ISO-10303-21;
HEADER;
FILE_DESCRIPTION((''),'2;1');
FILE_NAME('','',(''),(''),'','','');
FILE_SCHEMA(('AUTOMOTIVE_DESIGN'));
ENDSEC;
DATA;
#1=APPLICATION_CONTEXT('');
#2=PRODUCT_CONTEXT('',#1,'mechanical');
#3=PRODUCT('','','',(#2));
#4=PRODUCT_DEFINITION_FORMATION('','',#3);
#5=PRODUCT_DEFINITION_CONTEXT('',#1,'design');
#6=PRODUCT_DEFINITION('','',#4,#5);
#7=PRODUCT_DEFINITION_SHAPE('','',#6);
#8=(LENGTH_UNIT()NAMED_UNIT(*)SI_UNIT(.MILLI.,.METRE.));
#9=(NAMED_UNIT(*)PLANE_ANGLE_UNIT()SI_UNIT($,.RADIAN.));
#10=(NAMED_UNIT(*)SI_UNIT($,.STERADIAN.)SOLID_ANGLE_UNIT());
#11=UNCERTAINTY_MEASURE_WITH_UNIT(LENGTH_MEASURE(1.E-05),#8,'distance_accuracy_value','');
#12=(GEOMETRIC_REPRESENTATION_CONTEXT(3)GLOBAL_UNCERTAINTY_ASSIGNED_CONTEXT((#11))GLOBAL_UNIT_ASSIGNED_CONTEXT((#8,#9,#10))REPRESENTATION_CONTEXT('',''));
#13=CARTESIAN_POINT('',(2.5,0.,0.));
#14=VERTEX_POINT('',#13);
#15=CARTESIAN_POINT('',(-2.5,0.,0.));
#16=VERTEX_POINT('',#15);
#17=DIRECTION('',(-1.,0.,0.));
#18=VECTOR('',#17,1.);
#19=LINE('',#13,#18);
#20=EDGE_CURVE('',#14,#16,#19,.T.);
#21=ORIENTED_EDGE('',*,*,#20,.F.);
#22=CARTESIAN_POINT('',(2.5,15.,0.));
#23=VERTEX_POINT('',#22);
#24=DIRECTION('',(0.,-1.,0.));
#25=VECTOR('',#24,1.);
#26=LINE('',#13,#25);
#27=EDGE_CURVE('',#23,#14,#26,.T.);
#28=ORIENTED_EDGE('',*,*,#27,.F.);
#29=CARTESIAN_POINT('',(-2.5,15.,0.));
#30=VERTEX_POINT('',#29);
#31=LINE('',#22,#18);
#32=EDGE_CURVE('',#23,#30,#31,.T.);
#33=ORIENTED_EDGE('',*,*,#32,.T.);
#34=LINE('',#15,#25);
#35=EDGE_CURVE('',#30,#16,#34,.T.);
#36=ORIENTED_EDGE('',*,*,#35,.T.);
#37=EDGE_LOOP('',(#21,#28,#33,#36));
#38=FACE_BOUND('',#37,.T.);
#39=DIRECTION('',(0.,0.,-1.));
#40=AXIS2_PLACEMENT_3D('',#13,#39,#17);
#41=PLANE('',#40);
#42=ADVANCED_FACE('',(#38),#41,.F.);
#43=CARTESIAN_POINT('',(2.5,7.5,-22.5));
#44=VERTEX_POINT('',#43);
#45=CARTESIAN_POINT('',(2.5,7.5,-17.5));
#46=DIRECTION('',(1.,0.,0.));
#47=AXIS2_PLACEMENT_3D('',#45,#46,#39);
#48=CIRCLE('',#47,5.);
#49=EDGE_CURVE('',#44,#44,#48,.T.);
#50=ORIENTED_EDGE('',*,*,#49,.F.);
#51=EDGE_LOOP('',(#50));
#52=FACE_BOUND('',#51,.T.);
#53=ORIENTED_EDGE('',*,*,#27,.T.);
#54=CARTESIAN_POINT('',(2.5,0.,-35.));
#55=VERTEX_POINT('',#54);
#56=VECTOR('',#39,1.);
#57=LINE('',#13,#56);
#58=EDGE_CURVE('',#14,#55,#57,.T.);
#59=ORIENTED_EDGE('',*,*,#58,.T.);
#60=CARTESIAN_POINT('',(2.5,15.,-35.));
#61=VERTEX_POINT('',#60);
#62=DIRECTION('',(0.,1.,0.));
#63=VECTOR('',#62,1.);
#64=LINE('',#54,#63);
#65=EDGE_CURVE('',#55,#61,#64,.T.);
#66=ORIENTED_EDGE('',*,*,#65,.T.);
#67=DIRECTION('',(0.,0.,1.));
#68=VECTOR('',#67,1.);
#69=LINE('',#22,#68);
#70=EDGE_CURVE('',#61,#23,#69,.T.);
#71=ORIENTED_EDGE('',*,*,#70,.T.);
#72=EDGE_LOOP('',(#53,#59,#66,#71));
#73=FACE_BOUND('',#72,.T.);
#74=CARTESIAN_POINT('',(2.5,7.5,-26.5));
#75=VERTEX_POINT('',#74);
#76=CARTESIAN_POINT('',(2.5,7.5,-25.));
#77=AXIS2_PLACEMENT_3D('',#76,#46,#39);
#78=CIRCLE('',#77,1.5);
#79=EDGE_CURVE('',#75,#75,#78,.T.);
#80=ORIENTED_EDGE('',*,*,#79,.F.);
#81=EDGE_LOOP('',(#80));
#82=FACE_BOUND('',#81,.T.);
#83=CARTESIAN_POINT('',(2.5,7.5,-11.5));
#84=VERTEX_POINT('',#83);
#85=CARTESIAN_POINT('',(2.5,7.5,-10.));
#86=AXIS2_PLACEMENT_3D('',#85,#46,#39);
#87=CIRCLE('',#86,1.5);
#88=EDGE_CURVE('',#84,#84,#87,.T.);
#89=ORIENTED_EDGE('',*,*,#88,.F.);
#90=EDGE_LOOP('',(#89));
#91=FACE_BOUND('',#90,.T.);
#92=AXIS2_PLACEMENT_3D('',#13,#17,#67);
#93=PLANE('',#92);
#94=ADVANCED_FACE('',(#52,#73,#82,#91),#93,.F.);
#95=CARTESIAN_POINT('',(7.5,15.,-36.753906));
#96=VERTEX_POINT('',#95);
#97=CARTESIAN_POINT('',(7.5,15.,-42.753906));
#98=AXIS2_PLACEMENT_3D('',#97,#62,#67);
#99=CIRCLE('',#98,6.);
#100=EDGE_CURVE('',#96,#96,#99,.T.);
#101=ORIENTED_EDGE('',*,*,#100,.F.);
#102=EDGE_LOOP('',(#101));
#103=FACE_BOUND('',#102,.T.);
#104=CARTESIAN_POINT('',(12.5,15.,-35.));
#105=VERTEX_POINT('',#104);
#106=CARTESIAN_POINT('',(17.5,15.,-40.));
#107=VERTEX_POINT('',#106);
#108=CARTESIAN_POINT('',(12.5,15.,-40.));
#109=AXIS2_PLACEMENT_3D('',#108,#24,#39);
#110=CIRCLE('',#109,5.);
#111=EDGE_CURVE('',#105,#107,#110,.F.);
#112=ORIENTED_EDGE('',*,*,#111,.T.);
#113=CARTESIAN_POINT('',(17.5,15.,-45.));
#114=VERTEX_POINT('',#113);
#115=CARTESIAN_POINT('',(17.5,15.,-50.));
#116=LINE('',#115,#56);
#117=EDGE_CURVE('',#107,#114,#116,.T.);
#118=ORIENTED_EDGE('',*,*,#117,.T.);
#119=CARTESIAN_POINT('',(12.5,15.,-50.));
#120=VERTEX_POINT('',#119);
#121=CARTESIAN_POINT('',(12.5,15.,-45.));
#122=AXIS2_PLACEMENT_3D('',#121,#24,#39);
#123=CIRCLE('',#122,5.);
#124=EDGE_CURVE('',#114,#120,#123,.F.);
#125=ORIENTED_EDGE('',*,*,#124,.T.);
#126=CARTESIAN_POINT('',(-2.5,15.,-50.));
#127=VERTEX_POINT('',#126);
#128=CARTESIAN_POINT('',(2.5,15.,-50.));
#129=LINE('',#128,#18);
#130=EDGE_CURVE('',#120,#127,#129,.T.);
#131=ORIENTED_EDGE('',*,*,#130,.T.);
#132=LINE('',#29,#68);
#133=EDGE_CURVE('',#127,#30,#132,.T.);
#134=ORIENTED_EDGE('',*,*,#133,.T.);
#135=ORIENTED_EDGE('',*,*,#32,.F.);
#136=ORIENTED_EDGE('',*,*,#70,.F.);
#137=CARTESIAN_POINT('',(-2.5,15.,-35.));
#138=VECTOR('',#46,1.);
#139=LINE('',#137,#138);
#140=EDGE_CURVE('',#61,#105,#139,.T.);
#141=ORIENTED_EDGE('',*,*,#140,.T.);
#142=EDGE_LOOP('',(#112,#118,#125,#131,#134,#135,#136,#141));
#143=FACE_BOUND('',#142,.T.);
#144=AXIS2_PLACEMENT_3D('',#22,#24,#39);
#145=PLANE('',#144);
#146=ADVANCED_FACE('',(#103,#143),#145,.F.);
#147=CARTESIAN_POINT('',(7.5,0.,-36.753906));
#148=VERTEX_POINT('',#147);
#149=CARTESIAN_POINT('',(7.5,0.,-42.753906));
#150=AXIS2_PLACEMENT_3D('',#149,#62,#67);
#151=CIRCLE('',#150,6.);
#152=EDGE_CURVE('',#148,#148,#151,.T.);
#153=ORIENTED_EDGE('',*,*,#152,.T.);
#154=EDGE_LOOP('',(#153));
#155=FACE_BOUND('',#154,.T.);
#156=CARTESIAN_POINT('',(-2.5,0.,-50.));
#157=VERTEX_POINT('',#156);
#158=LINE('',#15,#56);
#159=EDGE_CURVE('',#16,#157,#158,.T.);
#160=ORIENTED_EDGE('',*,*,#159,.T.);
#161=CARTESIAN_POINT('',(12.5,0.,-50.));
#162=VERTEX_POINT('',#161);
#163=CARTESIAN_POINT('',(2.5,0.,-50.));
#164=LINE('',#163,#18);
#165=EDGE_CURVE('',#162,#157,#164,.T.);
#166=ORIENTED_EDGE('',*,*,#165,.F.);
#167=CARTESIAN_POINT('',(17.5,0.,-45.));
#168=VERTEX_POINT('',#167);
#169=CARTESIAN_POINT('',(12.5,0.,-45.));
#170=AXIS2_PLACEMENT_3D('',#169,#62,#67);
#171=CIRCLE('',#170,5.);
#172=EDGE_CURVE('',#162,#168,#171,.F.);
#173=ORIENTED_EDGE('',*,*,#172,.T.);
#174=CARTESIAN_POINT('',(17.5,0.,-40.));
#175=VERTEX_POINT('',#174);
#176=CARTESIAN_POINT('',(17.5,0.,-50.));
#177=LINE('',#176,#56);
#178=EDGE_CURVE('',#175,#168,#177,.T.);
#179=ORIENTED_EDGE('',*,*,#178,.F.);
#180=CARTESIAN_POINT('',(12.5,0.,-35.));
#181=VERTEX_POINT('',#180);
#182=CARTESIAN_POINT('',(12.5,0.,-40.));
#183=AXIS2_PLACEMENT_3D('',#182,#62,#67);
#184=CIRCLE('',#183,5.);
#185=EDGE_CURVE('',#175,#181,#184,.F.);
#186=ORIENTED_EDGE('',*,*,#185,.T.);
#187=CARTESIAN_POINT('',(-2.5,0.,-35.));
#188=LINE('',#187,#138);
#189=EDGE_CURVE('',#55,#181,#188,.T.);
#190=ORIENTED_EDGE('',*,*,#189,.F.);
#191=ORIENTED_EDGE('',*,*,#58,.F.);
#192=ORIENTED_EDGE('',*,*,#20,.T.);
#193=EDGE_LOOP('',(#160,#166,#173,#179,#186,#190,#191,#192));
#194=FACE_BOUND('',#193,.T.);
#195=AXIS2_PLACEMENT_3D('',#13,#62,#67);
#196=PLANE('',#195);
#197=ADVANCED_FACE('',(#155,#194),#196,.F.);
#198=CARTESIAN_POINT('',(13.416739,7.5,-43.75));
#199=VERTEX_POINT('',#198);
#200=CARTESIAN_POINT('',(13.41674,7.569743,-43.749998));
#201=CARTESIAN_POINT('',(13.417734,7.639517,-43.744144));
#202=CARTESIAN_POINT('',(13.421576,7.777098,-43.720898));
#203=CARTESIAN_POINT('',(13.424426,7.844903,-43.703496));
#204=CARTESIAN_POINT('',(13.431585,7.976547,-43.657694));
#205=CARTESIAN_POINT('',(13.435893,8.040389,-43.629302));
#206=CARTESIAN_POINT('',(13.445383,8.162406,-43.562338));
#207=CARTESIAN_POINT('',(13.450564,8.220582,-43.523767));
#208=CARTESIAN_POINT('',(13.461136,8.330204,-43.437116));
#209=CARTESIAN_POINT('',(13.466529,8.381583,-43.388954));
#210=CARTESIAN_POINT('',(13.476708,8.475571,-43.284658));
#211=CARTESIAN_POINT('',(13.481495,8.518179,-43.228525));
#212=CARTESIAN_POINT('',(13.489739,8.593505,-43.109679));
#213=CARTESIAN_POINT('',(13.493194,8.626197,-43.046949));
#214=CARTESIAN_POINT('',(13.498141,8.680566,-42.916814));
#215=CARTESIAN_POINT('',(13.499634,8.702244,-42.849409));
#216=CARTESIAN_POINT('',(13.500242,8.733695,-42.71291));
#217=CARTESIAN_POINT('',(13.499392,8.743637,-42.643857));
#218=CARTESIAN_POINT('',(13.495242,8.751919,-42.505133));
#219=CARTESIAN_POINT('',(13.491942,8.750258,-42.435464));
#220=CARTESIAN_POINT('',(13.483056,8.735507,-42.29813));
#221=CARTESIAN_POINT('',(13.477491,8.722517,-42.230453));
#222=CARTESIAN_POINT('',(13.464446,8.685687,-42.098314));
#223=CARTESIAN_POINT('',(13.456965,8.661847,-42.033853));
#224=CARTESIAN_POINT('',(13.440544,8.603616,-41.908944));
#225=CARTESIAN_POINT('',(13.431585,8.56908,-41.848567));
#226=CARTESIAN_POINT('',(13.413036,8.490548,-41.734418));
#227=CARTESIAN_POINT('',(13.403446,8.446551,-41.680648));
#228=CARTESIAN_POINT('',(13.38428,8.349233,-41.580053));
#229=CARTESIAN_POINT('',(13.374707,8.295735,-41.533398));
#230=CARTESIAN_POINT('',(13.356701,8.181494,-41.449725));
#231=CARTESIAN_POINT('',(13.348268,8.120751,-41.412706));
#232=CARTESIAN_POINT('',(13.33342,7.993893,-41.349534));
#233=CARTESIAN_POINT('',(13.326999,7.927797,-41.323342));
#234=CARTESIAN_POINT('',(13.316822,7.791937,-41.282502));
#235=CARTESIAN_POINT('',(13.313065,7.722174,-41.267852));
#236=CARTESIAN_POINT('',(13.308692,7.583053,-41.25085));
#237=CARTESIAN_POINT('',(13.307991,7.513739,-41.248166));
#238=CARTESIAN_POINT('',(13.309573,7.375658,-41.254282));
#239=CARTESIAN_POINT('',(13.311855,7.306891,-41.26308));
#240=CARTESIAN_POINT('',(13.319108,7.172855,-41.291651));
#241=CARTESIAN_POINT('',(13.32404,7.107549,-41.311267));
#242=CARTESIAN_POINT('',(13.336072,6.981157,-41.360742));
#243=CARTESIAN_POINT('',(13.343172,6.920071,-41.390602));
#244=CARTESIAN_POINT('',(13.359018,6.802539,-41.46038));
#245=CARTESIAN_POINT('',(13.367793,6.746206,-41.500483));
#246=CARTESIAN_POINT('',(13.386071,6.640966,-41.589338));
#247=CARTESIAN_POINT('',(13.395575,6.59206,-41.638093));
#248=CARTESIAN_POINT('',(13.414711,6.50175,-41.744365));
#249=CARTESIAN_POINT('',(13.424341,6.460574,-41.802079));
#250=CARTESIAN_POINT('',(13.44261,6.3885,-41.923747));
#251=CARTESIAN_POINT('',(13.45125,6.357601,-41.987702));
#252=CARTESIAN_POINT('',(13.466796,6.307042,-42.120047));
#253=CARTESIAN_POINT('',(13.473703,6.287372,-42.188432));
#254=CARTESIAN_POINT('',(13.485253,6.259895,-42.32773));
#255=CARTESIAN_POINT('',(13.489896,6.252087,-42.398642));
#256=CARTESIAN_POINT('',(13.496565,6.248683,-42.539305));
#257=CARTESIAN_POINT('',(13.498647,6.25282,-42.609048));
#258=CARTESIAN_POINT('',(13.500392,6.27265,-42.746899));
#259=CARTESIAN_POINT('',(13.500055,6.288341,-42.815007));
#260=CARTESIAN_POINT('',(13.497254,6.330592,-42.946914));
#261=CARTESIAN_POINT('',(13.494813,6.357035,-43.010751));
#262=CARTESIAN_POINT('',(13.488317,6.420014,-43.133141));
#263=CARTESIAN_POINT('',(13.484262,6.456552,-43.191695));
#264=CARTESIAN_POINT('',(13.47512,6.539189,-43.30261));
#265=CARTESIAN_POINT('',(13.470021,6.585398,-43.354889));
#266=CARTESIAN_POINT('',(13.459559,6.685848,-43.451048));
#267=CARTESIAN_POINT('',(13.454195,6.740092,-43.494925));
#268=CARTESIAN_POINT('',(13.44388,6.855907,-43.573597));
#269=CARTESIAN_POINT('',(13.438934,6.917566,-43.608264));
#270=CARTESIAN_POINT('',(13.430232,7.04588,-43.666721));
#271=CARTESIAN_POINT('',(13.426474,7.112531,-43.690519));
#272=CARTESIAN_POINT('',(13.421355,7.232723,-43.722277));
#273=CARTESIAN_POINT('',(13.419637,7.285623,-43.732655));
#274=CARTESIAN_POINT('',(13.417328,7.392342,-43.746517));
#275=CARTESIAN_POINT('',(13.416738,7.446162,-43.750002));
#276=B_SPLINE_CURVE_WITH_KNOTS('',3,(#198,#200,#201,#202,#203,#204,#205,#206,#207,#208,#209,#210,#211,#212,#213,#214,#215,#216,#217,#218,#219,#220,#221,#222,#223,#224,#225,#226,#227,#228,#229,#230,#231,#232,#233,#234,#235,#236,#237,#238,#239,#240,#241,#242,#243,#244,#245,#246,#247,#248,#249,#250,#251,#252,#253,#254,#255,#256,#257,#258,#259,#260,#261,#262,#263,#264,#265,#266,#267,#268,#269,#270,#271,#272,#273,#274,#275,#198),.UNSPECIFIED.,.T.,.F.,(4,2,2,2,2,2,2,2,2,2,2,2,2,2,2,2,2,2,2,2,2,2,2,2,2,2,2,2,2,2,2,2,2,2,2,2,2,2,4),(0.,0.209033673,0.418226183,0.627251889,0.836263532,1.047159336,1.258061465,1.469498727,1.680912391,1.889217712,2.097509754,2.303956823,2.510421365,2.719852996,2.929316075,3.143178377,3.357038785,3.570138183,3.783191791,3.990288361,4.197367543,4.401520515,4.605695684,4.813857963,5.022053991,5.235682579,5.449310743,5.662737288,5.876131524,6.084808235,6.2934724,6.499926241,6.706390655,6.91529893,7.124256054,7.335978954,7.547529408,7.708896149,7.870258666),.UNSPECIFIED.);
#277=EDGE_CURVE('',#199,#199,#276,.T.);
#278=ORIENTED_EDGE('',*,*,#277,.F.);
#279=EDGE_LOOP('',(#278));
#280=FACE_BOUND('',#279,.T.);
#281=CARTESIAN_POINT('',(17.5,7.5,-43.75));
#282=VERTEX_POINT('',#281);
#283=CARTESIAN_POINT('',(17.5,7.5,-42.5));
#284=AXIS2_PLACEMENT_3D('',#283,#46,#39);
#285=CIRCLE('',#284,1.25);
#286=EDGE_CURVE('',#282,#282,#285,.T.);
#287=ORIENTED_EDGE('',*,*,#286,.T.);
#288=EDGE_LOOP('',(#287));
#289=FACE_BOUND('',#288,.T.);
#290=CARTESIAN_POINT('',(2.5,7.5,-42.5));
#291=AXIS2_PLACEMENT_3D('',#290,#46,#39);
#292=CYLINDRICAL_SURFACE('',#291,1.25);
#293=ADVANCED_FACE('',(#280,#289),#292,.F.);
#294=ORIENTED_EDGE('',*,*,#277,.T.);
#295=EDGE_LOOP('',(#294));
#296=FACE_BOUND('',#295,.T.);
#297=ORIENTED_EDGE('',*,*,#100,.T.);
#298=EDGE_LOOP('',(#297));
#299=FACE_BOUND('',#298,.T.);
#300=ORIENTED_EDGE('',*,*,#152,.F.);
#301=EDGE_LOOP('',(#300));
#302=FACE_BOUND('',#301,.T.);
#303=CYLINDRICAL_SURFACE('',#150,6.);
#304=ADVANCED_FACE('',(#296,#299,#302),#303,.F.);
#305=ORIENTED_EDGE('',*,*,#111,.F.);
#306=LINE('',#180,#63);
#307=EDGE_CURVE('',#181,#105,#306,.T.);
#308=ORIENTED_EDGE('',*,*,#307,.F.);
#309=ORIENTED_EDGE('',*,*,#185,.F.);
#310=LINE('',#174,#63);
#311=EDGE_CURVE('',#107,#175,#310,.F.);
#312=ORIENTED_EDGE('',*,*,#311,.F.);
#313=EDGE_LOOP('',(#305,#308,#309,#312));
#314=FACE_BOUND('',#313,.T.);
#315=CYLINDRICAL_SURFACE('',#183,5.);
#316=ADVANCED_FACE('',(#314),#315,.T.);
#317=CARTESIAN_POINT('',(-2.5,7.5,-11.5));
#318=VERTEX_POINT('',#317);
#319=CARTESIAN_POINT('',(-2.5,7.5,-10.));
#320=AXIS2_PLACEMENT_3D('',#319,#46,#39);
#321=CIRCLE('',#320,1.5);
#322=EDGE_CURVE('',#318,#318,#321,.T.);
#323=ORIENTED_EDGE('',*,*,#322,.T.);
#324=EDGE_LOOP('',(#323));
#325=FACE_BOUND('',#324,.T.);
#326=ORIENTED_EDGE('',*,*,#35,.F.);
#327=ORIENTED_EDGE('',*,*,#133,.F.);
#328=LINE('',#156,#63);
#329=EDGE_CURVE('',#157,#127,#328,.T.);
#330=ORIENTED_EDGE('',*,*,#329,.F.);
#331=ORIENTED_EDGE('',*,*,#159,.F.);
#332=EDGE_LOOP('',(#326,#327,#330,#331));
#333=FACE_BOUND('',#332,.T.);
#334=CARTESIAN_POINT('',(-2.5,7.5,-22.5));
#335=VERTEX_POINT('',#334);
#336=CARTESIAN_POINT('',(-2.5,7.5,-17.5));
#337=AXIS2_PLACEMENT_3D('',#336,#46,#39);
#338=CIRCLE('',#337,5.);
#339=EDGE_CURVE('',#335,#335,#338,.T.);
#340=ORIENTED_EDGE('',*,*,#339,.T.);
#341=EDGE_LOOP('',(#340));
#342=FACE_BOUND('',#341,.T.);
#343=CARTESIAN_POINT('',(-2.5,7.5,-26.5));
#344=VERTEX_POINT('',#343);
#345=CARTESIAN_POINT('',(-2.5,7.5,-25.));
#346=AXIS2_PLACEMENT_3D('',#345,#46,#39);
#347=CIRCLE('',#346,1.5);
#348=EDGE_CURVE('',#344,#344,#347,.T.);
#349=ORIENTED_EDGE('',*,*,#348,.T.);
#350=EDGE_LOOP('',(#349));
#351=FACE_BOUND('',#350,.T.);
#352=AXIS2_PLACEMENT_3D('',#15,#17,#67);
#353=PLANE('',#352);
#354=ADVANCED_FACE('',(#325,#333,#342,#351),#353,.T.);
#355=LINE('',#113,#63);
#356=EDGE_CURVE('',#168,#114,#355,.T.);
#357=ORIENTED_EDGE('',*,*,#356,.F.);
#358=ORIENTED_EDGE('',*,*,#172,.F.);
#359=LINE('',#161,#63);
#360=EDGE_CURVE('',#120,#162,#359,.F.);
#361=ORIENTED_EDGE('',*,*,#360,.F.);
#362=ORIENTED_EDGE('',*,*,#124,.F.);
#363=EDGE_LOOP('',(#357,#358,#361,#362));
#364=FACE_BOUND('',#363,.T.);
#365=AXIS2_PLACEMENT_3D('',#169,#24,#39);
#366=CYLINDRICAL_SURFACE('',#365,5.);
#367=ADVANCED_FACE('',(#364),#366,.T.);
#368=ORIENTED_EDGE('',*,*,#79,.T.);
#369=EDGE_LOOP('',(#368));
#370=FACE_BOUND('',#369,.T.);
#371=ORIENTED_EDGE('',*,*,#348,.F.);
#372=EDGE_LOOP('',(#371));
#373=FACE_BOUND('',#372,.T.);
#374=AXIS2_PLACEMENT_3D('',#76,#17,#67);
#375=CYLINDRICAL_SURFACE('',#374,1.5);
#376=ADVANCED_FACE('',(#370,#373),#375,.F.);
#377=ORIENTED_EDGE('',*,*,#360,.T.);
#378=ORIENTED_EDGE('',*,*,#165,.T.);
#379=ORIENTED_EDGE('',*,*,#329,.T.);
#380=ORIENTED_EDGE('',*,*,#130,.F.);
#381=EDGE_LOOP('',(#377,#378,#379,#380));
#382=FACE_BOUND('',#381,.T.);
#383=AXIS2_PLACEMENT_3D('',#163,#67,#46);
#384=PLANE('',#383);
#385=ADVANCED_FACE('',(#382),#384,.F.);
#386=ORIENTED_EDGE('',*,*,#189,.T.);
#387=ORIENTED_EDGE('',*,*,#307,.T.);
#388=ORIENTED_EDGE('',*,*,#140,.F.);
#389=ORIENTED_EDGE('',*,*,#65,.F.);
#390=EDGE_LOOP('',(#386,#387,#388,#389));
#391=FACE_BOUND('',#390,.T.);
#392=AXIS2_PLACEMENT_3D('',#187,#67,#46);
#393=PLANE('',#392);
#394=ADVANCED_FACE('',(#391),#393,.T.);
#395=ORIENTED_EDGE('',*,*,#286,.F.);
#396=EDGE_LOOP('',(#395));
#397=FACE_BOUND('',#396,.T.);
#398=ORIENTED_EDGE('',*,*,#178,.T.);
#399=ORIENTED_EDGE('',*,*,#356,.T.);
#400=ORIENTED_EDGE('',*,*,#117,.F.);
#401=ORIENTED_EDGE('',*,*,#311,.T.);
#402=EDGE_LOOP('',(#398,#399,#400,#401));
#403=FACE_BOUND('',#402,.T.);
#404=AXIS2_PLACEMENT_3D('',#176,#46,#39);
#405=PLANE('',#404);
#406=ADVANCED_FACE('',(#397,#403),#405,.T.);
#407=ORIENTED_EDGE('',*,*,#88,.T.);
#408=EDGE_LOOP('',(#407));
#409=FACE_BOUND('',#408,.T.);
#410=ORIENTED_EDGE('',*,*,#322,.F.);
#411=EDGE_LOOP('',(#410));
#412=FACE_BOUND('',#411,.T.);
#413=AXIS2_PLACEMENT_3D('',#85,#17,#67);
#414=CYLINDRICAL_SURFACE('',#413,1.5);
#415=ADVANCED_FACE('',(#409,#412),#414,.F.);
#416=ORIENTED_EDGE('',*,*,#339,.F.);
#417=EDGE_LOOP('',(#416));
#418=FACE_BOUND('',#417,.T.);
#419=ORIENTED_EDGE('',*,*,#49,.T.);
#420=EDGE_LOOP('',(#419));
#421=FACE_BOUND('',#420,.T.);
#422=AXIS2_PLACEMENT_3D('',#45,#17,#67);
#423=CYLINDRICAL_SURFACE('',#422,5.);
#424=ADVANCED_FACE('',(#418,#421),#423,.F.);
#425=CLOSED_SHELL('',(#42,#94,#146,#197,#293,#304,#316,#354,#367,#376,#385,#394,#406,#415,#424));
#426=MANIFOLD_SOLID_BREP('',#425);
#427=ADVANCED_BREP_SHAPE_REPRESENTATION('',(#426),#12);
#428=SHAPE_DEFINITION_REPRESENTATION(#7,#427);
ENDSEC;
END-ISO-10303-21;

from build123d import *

# Parameters (mm, degrees)
SKETCH1_W           = 50
SKETCH1_H           = 15
SKETCH1_R           = 1.5
SKETCH1_R_2         = 5
BOSS_EXTRUDE1_DEPTH = 2.5
SKETCH2_R           = 6
CUT_EXTRUDE1_DEPTH  = 1000
SKETCH5_W           = 20
SKETCH5_H           = 15
BOSS_EXTRUDE2_DEPTH = 15
SKETCH2_5_R         = 6
CUT_EXTRUDE2_DEPTH  = 15
FILLET1_R           = 5
SKETCH6_R           = 1.25
CUT_EXTRUDE3_DEPTH  = 15


with BuildPart() as part:
    # Sketch1 → Boss-Extrude1 (new, symmetric)
    with BuildSketch(Plane(origin=(0, 0, 0), x_dir=(0, 0, -1), z_dir=(1, 0, 0))):
        with Locations((25, 7.5)):
            Rectangle(SKETCH1_W, SKETCH1_H)
        with Locations((10, 7.5)):
            Circle(SKETCH1_R, mode=Mode.SUBTRACT)
        with Locations((17.5, 7.5)):
            Circle(SKETCH1_R_2, mode=Mode.SUBTRACT)
        with Locations((25, 7.5)):
            Circle(SKETCH1_R, mode=Mode.SUBTRACT)
    extrude(amount=BOSS_EXTRUDE1_DEPTH, both=True)

    # Sketch2 → Cut-Extrude1 (cut)
    with BuildSketch(Plane(origin=(0, 15, 0), x_dir=(1, 0, 0), z_dir=(0, 1, 0))):
        with Locations((7.5, 42.75390625)):
            Circle(SKETCH2_R)
    extrude(amount=-CUT_EXTRUDE1_DEPTH, mode=Mode.SUBTRACT)

    # Sketch5 → Boss-Extrude2 (add)
    with BuildSketch(Plane(origin=(0, 15, 0), x_dir=(1, 0, 0), z_dir=(0, 1, 0))):
        with Locations((7.5, 42.5)):
            Rectangle(SKETCH5_W, SKETCH5_H)
    extrude(amount=-BOSS_EXTRUDE2_DEPTH)

    # Sketch2<5> → Cut-Extrude2 (cut)
    with BuildSketch(Plane(origin=(0, 15, 0), x_dir=(1, 0, 0), z_dir=(0, 1, 0))):
        with Locations((7.5, 42.75390625)):
            Circle(SKETCH2_5_R)
    extrude(amount=-CUT_EXTRUDE2_DEPTH, mode=Mode.SUBTRACT)

    # Fillet1
    fillet1_edges = [part.edges().sort_by_distance(p)[0] for p in [
        (17.5, 7.5, -35),
        (17.5, 7.5, -50),
    ]]
    fillet(fillet1_edges, radius=FILLET1_R)

    # Sketch6 → Cut-Extrude3 (cut)
    with BuildSketch(Plane(origin=(17.5, 0, 0), x_dir=(0, 0, -1), z_dir=(1, 0, 0))):
        with Locations((42.5, 7.5)):
            Circle(SKETCH6_R)
    extrude(amount=-CUT_EXTRUDE3_DEPTH, mode=Mode.SUBTRACT)


solid = part.part
